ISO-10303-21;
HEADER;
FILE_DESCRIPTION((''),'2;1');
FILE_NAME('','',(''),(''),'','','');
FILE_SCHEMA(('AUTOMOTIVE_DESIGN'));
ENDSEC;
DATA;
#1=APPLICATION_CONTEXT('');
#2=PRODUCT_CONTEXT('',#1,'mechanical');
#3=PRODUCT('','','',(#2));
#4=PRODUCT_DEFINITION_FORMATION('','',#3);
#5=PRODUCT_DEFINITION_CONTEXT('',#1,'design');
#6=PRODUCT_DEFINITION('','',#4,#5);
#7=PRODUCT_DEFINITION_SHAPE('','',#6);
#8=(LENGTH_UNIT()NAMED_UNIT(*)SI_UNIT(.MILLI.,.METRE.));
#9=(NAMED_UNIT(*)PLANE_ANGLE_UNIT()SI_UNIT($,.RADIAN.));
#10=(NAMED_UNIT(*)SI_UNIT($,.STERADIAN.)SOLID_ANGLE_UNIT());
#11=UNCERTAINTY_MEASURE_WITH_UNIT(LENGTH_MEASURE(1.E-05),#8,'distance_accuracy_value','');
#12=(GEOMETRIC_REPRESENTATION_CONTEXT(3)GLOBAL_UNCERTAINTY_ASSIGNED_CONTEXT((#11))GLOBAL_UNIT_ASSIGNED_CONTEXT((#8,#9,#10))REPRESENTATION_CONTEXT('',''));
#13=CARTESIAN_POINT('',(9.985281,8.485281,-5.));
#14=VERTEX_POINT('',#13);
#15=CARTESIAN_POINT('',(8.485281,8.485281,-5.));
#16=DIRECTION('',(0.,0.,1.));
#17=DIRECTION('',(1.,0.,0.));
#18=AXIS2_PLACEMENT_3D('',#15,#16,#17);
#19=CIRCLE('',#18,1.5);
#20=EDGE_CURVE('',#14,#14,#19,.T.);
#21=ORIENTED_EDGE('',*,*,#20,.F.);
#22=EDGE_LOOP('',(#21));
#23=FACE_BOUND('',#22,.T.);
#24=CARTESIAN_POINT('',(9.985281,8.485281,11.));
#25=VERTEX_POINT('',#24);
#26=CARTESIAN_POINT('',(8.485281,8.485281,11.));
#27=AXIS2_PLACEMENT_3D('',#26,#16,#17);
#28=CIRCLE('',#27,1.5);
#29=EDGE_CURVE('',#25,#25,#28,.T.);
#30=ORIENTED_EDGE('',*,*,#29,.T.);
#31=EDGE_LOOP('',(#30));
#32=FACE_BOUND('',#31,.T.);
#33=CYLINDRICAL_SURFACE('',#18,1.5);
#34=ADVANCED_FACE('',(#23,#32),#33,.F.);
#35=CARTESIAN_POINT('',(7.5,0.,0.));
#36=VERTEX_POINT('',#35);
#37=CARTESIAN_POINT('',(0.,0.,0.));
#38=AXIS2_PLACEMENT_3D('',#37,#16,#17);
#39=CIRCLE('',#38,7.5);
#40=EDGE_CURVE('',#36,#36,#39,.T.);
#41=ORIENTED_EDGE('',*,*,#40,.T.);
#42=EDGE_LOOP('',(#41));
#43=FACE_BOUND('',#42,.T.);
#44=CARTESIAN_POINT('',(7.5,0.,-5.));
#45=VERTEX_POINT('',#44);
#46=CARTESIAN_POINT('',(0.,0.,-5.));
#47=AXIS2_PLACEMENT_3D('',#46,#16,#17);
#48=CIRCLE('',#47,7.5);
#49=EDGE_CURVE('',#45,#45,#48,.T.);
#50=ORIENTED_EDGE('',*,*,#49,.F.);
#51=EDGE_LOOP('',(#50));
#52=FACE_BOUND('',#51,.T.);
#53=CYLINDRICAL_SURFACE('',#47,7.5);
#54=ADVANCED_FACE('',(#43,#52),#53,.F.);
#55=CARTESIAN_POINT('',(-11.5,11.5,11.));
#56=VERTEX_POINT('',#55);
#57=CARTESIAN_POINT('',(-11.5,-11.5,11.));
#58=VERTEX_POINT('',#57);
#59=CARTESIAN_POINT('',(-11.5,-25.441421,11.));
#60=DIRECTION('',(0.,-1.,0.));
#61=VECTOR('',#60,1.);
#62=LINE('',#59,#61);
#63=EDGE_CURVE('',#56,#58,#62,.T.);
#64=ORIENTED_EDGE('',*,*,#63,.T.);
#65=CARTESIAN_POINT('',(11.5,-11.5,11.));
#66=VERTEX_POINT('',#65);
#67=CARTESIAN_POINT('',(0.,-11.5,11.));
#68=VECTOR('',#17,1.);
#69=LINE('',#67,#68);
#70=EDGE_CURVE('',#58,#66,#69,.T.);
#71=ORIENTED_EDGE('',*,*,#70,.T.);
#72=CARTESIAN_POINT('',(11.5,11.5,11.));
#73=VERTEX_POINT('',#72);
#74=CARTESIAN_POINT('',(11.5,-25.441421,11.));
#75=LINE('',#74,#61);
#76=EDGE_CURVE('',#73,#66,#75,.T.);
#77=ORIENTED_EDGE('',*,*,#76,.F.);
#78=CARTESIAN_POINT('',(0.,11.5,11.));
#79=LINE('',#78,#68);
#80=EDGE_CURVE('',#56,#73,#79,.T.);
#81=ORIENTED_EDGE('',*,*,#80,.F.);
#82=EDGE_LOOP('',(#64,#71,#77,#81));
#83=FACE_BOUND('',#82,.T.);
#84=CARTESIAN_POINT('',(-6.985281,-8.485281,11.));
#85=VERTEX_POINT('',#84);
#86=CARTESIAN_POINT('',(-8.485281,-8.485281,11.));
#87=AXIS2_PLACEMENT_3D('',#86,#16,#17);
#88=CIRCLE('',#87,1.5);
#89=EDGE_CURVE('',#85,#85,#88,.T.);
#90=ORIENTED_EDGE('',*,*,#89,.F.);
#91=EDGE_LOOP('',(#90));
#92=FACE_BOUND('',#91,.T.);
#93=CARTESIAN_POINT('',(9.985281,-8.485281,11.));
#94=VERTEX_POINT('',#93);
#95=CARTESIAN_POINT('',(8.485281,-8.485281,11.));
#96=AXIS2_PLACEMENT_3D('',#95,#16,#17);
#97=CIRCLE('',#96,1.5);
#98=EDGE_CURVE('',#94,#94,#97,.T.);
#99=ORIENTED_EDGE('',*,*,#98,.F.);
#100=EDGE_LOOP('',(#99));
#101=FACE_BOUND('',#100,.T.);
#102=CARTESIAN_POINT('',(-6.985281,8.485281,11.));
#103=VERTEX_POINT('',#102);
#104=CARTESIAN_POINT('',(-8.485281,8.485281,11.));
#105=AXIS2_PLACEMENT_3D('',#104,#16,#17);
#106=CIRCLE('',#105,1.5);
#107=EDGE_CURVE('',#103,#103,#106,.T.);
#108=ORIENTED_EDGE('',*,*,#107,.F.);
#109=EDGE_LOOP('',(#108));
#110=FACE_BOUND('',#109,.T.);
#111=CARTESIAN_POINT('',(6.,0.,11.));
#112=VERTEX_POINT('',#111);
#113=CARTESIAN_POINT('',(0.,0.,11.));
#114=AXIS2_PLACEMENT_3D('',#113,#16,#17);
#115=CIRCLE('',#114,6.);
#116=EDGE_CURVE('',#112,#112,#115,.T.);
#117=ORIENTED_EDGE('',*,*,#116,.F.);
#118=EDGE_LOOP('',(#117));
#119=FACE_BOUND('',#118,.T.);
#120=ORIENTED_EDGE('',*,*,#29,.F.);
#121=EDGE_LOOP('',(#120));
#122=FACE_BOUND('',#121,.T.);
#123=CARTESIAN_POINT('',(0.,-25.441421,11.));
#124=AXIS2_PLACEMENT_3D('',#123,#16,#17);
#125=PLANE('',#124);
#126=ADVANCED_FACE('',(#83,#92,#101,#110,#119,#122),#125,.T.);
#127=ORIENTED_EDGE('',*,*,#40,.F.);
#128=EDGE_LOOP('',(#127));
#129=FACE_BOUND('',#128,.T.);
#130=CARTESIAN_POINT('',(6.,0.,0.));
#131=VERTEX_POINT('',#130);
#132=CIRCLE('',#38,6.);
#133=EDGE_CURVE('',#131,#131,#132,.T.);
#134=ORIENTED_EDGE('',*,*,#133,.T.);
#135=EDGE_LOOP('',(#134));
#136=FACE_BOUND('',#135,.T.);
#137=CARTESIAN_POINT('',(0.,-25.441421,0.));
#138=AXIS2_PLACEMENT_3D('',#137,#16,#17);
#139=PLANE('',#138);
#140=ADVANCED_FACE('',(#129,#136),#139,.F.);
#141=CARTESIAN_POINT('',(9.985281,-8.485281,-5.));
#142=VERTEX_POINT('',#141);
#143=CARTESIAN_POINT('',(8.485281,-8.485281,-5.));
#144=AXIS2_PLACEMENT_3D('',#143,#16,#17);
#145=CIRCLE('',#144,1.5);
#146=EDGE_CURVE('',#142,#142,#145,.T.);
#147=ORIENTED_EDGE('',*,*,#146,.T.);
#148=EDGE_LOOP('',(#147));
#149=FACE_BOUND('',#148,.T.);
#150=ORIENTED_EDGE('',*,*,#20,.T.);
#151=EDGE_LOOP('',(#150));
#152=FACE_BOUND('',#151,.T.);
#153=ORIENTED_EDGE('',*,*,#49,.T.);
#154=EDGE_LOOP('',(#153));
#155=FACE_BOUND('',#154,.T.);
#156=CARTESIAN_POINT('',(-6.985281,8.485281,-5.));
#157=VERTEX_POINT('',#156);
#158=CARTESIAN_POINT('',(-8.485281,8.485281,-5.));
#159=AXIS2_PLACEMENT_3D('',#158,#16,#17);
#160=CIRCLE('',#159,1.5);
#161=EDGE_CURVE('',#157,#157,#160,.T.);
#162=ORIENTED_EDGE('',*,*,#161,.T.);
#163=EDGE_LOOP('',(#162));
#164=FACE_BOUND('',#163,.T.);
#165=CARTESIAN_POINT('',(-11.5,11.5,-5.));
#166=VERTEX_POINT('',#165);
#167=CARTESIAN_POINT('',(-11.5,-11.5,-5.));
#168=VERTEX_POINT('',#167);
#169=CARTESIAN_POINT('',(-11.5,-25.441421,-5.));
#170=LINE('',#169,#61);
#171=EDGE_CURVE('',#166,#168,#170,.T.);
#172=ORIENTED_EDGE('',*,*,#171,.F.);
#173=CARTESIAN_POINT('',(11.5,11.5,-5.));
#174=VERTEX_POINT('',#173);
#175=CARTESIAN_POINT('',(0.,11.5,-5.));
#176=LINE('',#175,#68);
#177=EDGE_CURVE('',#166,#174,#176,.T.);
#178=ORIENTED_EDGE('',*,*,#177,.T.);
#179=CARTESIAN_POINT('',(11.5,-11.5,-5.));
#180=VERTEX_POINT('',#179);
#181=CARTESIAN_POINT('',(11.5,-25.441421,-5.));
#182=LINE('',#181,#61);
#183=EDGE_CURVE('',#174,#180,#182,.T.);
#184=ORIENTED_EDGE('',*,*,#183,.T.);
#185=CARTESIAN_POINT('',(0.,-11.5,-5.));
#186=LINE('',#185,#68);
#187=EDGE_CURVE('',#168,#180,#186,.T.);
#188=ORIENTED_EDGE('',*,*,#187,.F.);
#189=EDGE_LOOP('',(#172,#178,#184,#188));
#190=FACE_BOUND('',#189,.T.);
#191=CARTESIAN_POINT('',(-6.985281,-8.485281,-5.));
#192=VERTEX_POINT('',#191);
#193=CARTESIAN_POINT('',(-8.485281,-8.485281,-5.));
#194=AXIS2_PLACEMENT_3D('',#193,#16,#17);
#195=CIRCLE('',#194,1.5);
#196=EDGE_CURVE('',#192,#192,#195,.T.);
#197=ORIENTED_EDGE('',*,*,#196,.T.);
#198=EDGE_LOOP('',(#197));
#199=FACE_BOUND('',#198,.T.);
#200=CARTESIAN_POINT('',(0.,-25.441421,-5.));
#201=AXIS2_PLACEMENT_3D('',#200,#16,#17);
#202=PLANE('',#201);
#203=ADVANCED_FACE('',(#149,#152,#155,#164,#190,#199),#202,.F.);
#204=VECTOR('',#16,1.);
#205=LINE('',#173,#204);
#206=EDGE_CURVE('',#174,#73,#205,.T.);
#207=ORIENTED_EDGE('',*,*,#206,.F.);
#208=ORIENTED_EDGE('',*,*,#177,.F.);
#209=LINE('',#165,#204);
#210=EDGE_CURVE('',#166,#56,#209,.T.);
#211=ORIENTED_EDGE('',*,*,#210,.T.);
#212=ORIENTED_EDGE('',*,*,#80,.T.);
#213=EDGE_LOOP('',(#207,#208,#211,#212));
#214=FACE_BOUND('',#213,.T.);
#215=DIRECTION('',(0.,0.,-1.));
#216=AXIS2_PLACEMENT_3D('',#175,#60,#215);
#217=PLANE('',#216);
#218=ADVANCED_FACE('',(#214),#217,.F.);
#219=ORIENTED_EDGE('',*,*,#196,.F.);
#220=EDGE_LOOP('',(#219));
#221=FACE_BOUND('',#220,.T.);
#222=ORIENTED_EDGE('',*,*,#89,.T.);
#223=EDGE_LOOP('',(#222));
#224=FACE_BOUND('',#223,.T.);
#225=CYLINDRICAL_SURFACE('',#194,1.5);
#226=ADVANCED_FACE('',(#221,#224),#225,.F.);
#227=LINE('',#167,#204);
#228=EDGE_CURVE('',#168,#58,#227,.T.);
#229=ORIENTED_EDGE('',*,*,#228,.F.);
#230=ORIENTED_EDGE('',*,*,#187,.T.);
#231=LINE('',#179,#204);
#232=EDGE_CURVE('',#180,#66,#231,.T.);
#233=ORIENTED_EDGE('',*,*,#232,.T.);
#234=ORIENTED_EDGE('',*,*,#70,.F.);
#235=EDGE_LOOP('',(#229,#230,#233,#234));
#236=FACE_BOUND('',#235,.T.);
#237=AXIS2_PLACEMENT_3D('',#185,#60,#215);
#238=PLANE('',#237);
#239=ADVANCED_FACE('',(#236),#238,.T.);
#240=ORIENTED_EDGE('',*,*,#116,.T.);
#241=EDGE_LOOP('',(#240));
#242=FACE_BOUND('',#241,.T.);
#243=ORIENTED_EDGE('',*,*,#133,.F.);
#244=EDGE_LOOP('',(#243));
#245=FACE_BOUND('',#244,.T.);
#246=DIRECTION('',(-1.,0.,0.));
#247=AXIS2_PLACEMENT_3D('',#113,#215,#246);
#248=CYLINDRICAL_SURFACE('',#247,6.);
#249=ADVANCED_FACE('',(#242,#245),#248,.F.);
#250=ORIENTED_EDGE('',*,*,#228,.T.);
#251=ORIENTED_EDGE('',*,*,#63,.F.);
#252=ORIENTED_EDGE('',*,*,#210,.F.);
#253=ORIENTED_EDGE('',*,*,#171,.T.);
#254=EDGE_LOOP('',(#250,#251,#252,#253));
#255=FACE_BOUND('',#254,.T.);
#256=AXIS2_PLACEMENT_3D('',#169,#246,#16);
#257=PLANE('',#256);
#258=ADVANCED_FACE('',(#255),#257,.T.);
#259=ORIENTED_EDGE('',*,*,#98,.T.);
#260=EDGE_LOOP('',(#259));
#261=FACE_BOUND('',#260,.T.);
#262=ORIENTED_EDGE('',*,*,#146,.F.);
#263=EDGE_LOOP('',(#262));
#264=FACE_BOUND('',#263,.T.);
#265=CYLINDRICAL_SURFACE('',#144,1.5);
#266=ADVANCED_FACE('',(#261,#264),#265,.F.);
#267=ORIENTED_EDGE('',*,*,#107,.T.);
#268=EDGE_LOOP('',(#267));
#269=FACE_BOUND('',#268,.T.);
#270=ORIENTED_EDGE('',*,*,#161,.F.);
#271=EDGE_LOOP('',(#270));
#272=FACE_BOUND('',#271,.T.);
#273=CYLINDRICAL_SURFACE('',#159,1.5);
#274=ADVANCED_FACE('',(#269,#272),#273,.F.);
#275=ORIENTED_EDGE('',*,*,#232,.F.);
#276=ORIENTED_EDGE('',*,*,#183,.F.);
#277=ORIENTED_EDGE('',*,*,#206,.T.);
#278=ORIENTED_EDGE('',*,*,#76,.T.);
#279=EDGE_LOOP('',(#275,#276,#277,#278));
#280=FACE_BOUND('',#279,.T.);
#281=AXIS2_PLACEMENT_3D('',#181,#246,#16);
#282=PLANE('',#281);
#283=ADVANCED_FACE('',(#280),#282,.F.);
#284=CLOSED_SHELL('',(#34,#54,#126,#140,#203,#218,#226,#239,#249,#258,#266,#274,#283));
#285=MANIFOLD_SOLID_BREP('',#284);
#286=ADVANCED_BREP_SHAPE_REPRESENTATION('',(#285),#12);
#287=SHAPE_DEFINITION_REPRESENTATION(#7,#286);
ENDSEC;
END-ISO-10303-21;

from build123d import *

# Parameters (mm, degrees)
SKETCH2_R           = 7.5
SKETCH2_R_2         = 6
EXTRUDE8_DEPTH      = 11
SKETCH2_14_W        = 23
SKETCH2_14_H        = 23
SKETCH2_14_R        = 7.5
SKETCH2_14_R_2      = 1.5
EXTRUDE9_DEPTH      = 11
EXTRUDE9_DEPTH_BACK = 5


with BuildPart() as part:
    # Sketch2 → Extrude8 (new body)
    with BuildSketch(Plane.XY):
        Circle(SKETCH2_R)
        Circle(SKETCH2_R_2, mode=Mode.SUBTRACT)
    extrude(amount=EXTRUDE8_DEPTH)

    # Sketch2<14> → Extrude9 (add, two sides)
    with BuildSketch(Plane.XY) as extrude9_sk:
        Rectangle(SKETCH2_14_W, SKETCH2_14_H)
        Circle(SKETCH2_14_R, mode=Mode.SUBTRACT)
        with Locations((8.485281374, 8.485281374)):
            Circle(SKETCH2_14_R_2, mode=Mode.SUBTRACT)
        with Locations((8.485281374, -8.485281374)):
            Circle(SKETCH2_14_R_2, mode=Mode.SUBTRACT)
        with Locations((-8.485281374, -8.485281374)):
            Circle(SKETCH2_14_R_2, mode=Mode.SUBTRACT)
        with Locations((-8.485281374, 8.485281374)):
            Circle(SKETCH2_14_R_2, mode=Mode.SUBTRACT)
    extrude(amount=EXTRUDE9_DEPTH)
    extrude(extrude9_sk.sketch, amount=-EXTRUDE9_DEPTH_BACK)


solid = part.part
